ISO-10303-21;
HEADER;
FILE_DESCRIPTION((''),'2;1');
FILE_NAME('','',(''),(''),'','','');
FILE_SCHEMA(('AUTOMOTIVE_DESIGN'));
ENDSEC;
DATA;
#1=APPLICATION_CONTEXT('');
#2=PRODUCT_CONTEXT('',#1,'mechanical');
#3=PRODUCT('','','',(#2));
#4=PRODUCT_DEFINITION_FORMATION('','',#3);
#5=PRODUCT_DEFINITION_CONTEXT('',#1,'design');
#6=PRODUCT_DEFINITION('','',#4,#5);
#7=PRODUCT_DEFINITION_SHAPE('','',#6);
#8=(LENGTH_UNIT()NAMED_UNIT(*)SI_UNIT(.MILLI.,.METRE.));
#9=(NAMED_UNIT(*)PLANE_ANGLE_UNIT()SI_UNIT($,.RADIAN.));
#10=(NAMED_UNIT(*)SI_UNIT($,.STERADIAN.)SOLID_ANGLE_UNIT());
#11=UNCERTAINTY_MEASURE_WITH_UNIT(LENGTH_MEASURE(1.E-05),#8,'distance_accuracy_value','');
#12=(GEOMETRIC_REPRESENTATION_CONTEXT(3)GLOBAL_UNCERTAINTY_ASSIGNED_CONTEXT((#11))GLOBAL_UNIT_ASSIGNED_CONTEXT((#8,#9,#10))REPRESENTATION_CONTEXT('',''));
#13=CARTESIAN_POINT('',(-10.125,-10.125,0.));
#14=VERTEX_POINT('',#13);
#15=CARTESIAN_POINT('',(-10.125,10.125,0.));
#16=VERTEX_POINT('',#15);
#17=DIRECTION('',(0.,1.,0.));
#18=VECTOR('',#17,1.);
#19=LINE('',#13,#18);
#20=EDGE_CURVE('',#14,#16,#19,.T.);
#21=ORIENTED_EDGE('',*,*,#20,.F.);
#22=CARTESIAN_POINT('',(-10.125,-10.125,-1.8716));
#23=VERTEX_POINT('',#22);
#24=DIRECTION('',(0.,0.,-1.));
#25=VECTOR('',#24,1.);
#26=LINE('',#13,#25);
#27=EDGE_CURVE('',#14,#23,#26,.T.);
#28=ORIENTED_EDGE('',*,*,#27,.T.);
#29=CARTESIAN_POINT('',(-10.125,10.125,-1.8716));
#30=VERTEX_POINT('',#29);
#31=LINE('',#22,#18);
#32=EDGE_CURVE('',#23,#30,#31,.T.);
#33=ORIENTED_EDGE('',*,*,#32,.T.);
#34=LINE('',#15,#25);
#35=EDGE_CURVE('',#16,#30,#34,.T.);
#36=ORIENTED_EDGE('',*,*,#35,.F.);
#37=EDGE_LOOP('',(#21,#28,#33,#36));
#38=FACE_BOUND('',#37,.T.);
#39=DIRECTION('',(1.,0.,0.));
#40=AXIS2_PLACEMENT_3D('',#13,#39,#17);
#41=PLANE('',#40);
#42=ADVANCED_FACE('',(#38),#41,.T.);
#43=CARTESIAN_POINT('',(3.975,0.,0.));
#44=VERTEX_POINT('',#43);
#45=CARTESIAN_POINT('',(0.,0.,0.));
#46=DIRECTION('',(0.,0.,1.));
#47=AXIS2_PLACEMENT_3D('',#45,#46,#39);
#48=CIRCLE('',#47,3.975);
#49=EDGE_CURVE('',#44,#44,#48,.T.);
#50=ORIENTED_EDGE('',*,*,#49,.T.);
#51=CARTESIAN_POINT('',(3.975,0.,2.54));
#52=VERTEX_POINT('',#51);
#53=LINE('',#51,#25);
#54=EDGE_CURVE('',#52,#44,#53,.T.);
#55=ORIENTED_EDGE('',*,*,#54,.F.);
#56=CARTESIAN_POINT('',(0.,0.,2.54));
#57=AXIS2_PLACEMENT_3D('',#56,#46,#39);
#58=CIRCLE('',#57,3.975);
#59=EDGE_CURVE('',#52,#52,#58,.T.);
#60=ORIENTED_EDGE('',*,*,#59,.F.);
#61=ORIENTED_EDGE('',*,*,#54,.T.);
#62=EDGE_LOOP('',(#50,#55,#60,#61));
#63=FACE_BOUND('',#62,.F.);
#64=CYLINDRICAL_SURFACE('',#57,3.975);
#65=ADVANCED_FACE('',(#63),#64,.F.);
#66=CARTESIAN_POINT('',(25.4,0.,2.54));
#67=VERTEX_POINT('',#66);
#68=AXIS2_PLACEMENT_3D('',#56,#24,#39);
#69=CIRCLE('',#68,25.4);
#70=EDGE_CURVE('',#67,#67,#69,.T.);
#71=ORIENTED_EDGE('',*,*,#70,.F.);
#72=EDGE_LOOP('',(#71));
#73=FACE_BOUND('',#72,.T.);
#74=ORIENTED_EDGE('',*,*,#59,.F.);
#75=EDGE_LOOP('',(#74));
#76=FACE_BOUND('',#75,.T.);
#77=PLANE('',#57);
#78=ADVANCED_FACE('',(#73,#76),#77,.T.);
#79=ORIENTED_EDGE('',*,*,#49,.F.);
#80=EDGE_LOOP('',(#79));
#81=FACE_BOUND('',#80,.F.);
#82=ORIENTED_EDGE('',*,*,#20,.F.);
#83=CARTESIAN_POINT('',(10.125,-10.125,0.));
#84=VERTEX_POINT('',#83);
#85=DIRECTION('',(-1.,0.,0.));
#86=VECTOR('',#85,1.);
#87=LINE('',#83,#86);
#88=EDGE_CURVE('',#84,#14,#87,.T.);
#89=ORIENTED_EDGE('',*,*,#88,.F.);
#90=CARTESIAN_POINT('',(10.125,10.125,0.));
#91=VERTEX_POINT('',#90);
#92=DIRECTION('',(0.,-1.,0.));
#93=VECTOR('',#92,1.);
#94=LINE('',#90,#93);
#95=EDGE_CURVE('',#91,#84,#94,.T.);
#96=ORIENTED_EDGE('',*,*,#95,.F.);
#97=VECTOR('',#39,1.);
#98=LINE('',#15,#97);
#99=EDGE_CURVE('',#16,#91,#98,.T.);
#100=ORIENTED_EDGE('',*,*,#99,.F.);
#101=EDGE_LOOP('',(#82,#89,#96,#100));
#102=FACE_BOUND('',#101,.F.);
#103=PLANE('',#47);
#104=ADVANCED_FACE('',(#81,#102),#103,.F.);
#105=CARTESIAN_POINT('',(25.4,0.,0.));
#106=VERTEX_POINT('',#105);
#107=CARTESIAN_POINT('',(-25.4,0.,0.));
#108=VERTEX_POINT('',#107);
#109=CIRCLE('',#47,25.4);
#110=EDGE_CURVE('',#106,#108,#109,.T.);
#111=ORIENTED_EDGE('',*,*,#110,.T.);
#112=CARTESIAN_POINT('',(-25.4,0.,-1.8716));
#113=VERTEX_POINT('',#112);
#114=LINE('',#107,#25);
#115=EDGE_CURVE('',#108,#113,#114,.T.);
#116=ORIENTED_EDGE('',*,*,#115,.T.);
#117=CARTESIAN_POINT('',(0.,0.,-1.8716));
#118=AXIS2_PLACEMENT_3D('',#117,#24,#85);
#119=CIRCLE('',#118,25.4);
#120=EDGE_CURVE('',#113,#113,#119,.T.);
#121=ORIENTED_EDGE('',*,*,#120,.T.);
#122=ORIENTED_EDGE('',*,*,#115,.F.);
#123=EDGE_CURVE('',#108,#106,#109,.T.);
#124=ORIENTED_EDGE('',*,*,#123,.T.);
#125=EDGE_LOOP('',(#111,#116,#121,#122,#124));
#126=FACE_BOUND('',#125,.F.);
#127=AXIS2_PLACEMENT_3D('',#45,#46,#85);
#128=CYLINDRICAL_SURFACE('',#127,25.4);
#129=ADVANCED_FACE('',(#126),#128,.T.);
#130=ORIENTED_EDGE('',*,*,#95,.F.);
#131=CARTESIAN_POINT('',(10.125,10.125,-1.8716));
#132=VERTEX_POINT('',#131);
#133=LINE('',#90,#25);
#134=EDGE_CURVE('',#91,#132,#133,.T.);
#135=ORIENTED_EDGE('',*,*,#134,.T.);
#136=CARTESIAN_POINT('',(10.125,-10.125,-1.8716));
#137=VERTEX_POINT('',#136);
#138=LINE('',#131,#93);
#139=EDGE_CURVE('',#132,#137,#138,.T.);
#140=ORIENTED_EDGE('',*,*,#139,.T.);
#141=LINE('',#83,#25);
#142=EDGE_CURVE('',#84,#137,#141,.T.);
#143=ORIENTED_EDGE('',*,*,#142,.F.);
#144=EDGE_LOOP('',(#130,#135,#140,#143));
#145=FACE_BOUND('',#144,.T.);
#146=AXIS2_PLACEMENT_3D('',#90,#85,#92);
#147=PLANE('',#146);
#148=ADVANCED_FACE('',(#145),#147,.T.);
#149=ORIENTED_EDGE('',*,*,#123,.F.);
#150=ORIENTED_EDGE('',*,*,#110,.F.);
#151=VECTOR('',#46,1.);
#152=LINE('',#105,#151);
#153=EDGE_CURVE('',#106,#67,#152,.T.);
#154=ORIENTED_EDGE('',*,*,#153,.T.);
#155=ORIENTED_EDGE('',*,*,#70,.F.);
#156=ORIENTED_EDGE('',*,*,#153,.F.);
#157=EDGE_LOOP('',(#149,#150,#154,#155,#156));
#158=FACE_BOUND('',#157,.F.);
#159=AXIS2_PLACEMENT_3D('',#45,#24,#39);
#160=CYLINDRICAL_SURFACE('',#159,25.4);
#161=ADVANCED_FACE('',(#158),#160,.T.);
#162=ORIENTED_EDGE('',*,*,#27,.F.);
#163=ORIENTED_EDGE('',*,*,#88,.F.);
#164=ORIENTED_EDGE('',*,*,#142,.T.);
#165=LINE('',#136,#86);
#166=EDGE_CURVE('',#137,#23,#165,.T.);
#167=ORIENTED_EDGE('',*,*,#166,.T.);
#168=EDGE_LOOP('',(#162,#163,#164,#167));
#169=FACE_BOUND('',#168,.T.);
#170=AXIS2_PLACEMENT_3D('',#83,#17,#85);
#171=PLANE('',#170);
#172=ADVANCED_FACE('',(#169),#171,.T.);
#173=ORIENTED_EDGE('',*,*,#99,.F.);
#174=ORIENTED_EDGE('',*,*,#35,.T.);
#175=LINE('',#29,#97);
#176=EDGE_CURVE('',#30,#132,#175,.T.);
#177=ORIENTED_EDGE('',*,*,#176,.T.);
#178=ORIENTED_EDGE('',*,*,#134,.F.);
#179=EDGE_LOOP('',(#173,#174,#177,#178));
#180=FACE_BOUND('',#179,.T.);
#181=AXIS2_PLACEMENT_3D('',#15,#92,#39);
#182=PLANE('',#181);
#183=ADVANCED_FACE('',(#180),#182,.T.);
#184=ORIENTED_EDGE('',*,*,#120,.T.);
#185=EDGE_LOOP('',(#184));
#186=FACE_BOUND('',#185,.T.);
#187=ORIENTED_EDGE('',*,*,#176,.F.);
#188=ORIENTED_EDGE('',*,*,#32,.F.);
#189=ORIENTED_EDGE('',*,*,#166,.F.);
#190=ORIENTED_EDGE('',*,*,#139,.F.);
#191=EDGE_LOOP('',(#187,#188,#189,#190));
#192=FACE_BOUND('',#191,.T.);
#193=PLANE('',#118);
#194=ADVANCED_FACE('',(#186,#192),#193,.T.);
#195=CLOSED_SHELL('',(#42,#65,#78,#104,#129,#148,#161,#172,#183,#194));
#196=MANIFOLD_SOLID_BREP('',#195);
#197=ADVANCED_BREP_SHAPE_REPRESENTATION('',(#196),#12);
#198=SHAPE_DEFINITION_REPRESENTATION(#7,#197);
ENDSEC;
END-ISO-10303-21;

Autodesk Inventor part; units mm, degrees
ref_plane "YZ Plane" through (0, 0, 0) normal (1, 0, 0) x (0, 1, 0)
ref_plane "XZ Plane" through (0, 0, 0) normal (0, 1, 0) x (-1, 0, 0)
sketch "Sketch1" plane through (0, 0, 0) normal (0, 0, 1) x (1, 0, 0)
  line L0 (-25.4, 25.4) -> (25.4, 25.4)
  line L1 (25.4, 25.4) -> (25.4, -25.4)
  line L2 (25.4, -25.4) -> (-25.4, -25.4)
  line L3 (-25.4, -25.4) -> (-25.4, 25.4)
  line L4 (-25.4, 25.4) -> (25.4, -25.4) construction
  line L5 (25.4, 25.4) -> (-25.4, -25.4) construction
  circle A0 centre (0, 0) radius 25.4
  dimension "d0" = 50.8
  dimension "d1" = 50.8
extrude "Extrusion1" add sketch "Sketch1" along normal blind 2.54 contours A0
sketch "Sketch2" plane through (0, 0, 2.54) normal (0, 0, 1) x (1, 0, 0)
  circle A0 centre (0, 0) radius 3.975 projected
extrude "Extrusion2" cut sketch "Sketch2" against normal blind 2.54
sketch "Sketch3" plane through (0, 0, 0) normal (0, 0, -1) x (-1, 0, 0)
  line L0 (-10, 10) -> (-10, -10) projected
  line L1 (10, 9.9) -> (10, -9.9) projected
  line L2 (7, -10) -> (-7, -10) projected
  line L3 (-7, 10) -> (7, 10) projected
  line L4 (-10.125, -10.125) -> (10.125, -10.125)
  line L5 (10.125, -10.125) -> (10.125, 10.125)
  line L6 (10.125, 10.125) -> (-10.125, 10.125)
  line L7 (-10.125, 10.125) -> (-10.125, -10.125)
  line L8 (-10.125, -10.125) -> (10.125, 10.125) construction
  line L9 (10.125, -10.125) -> (-10.125, 10.125) construction
  circle A0 centre (0, 0) radius 3.975 projected
  circle A1 centre (0, 0) radius 3.975 projected
  circle A2 centre (0, 0) radius 25.4 projected
  dimension "d6" = 20.25
  dimension "d7" = 20.25
ref_plane "Work Plane1" through (7, -9.9, -1.8716) normal (0, 0, -1) x (0, 1, 0)
extrude "Extrusion3" add sketch "Sketch3" along normal up to surface (1.8716 mm away) contours A2
properties part number "Base"
